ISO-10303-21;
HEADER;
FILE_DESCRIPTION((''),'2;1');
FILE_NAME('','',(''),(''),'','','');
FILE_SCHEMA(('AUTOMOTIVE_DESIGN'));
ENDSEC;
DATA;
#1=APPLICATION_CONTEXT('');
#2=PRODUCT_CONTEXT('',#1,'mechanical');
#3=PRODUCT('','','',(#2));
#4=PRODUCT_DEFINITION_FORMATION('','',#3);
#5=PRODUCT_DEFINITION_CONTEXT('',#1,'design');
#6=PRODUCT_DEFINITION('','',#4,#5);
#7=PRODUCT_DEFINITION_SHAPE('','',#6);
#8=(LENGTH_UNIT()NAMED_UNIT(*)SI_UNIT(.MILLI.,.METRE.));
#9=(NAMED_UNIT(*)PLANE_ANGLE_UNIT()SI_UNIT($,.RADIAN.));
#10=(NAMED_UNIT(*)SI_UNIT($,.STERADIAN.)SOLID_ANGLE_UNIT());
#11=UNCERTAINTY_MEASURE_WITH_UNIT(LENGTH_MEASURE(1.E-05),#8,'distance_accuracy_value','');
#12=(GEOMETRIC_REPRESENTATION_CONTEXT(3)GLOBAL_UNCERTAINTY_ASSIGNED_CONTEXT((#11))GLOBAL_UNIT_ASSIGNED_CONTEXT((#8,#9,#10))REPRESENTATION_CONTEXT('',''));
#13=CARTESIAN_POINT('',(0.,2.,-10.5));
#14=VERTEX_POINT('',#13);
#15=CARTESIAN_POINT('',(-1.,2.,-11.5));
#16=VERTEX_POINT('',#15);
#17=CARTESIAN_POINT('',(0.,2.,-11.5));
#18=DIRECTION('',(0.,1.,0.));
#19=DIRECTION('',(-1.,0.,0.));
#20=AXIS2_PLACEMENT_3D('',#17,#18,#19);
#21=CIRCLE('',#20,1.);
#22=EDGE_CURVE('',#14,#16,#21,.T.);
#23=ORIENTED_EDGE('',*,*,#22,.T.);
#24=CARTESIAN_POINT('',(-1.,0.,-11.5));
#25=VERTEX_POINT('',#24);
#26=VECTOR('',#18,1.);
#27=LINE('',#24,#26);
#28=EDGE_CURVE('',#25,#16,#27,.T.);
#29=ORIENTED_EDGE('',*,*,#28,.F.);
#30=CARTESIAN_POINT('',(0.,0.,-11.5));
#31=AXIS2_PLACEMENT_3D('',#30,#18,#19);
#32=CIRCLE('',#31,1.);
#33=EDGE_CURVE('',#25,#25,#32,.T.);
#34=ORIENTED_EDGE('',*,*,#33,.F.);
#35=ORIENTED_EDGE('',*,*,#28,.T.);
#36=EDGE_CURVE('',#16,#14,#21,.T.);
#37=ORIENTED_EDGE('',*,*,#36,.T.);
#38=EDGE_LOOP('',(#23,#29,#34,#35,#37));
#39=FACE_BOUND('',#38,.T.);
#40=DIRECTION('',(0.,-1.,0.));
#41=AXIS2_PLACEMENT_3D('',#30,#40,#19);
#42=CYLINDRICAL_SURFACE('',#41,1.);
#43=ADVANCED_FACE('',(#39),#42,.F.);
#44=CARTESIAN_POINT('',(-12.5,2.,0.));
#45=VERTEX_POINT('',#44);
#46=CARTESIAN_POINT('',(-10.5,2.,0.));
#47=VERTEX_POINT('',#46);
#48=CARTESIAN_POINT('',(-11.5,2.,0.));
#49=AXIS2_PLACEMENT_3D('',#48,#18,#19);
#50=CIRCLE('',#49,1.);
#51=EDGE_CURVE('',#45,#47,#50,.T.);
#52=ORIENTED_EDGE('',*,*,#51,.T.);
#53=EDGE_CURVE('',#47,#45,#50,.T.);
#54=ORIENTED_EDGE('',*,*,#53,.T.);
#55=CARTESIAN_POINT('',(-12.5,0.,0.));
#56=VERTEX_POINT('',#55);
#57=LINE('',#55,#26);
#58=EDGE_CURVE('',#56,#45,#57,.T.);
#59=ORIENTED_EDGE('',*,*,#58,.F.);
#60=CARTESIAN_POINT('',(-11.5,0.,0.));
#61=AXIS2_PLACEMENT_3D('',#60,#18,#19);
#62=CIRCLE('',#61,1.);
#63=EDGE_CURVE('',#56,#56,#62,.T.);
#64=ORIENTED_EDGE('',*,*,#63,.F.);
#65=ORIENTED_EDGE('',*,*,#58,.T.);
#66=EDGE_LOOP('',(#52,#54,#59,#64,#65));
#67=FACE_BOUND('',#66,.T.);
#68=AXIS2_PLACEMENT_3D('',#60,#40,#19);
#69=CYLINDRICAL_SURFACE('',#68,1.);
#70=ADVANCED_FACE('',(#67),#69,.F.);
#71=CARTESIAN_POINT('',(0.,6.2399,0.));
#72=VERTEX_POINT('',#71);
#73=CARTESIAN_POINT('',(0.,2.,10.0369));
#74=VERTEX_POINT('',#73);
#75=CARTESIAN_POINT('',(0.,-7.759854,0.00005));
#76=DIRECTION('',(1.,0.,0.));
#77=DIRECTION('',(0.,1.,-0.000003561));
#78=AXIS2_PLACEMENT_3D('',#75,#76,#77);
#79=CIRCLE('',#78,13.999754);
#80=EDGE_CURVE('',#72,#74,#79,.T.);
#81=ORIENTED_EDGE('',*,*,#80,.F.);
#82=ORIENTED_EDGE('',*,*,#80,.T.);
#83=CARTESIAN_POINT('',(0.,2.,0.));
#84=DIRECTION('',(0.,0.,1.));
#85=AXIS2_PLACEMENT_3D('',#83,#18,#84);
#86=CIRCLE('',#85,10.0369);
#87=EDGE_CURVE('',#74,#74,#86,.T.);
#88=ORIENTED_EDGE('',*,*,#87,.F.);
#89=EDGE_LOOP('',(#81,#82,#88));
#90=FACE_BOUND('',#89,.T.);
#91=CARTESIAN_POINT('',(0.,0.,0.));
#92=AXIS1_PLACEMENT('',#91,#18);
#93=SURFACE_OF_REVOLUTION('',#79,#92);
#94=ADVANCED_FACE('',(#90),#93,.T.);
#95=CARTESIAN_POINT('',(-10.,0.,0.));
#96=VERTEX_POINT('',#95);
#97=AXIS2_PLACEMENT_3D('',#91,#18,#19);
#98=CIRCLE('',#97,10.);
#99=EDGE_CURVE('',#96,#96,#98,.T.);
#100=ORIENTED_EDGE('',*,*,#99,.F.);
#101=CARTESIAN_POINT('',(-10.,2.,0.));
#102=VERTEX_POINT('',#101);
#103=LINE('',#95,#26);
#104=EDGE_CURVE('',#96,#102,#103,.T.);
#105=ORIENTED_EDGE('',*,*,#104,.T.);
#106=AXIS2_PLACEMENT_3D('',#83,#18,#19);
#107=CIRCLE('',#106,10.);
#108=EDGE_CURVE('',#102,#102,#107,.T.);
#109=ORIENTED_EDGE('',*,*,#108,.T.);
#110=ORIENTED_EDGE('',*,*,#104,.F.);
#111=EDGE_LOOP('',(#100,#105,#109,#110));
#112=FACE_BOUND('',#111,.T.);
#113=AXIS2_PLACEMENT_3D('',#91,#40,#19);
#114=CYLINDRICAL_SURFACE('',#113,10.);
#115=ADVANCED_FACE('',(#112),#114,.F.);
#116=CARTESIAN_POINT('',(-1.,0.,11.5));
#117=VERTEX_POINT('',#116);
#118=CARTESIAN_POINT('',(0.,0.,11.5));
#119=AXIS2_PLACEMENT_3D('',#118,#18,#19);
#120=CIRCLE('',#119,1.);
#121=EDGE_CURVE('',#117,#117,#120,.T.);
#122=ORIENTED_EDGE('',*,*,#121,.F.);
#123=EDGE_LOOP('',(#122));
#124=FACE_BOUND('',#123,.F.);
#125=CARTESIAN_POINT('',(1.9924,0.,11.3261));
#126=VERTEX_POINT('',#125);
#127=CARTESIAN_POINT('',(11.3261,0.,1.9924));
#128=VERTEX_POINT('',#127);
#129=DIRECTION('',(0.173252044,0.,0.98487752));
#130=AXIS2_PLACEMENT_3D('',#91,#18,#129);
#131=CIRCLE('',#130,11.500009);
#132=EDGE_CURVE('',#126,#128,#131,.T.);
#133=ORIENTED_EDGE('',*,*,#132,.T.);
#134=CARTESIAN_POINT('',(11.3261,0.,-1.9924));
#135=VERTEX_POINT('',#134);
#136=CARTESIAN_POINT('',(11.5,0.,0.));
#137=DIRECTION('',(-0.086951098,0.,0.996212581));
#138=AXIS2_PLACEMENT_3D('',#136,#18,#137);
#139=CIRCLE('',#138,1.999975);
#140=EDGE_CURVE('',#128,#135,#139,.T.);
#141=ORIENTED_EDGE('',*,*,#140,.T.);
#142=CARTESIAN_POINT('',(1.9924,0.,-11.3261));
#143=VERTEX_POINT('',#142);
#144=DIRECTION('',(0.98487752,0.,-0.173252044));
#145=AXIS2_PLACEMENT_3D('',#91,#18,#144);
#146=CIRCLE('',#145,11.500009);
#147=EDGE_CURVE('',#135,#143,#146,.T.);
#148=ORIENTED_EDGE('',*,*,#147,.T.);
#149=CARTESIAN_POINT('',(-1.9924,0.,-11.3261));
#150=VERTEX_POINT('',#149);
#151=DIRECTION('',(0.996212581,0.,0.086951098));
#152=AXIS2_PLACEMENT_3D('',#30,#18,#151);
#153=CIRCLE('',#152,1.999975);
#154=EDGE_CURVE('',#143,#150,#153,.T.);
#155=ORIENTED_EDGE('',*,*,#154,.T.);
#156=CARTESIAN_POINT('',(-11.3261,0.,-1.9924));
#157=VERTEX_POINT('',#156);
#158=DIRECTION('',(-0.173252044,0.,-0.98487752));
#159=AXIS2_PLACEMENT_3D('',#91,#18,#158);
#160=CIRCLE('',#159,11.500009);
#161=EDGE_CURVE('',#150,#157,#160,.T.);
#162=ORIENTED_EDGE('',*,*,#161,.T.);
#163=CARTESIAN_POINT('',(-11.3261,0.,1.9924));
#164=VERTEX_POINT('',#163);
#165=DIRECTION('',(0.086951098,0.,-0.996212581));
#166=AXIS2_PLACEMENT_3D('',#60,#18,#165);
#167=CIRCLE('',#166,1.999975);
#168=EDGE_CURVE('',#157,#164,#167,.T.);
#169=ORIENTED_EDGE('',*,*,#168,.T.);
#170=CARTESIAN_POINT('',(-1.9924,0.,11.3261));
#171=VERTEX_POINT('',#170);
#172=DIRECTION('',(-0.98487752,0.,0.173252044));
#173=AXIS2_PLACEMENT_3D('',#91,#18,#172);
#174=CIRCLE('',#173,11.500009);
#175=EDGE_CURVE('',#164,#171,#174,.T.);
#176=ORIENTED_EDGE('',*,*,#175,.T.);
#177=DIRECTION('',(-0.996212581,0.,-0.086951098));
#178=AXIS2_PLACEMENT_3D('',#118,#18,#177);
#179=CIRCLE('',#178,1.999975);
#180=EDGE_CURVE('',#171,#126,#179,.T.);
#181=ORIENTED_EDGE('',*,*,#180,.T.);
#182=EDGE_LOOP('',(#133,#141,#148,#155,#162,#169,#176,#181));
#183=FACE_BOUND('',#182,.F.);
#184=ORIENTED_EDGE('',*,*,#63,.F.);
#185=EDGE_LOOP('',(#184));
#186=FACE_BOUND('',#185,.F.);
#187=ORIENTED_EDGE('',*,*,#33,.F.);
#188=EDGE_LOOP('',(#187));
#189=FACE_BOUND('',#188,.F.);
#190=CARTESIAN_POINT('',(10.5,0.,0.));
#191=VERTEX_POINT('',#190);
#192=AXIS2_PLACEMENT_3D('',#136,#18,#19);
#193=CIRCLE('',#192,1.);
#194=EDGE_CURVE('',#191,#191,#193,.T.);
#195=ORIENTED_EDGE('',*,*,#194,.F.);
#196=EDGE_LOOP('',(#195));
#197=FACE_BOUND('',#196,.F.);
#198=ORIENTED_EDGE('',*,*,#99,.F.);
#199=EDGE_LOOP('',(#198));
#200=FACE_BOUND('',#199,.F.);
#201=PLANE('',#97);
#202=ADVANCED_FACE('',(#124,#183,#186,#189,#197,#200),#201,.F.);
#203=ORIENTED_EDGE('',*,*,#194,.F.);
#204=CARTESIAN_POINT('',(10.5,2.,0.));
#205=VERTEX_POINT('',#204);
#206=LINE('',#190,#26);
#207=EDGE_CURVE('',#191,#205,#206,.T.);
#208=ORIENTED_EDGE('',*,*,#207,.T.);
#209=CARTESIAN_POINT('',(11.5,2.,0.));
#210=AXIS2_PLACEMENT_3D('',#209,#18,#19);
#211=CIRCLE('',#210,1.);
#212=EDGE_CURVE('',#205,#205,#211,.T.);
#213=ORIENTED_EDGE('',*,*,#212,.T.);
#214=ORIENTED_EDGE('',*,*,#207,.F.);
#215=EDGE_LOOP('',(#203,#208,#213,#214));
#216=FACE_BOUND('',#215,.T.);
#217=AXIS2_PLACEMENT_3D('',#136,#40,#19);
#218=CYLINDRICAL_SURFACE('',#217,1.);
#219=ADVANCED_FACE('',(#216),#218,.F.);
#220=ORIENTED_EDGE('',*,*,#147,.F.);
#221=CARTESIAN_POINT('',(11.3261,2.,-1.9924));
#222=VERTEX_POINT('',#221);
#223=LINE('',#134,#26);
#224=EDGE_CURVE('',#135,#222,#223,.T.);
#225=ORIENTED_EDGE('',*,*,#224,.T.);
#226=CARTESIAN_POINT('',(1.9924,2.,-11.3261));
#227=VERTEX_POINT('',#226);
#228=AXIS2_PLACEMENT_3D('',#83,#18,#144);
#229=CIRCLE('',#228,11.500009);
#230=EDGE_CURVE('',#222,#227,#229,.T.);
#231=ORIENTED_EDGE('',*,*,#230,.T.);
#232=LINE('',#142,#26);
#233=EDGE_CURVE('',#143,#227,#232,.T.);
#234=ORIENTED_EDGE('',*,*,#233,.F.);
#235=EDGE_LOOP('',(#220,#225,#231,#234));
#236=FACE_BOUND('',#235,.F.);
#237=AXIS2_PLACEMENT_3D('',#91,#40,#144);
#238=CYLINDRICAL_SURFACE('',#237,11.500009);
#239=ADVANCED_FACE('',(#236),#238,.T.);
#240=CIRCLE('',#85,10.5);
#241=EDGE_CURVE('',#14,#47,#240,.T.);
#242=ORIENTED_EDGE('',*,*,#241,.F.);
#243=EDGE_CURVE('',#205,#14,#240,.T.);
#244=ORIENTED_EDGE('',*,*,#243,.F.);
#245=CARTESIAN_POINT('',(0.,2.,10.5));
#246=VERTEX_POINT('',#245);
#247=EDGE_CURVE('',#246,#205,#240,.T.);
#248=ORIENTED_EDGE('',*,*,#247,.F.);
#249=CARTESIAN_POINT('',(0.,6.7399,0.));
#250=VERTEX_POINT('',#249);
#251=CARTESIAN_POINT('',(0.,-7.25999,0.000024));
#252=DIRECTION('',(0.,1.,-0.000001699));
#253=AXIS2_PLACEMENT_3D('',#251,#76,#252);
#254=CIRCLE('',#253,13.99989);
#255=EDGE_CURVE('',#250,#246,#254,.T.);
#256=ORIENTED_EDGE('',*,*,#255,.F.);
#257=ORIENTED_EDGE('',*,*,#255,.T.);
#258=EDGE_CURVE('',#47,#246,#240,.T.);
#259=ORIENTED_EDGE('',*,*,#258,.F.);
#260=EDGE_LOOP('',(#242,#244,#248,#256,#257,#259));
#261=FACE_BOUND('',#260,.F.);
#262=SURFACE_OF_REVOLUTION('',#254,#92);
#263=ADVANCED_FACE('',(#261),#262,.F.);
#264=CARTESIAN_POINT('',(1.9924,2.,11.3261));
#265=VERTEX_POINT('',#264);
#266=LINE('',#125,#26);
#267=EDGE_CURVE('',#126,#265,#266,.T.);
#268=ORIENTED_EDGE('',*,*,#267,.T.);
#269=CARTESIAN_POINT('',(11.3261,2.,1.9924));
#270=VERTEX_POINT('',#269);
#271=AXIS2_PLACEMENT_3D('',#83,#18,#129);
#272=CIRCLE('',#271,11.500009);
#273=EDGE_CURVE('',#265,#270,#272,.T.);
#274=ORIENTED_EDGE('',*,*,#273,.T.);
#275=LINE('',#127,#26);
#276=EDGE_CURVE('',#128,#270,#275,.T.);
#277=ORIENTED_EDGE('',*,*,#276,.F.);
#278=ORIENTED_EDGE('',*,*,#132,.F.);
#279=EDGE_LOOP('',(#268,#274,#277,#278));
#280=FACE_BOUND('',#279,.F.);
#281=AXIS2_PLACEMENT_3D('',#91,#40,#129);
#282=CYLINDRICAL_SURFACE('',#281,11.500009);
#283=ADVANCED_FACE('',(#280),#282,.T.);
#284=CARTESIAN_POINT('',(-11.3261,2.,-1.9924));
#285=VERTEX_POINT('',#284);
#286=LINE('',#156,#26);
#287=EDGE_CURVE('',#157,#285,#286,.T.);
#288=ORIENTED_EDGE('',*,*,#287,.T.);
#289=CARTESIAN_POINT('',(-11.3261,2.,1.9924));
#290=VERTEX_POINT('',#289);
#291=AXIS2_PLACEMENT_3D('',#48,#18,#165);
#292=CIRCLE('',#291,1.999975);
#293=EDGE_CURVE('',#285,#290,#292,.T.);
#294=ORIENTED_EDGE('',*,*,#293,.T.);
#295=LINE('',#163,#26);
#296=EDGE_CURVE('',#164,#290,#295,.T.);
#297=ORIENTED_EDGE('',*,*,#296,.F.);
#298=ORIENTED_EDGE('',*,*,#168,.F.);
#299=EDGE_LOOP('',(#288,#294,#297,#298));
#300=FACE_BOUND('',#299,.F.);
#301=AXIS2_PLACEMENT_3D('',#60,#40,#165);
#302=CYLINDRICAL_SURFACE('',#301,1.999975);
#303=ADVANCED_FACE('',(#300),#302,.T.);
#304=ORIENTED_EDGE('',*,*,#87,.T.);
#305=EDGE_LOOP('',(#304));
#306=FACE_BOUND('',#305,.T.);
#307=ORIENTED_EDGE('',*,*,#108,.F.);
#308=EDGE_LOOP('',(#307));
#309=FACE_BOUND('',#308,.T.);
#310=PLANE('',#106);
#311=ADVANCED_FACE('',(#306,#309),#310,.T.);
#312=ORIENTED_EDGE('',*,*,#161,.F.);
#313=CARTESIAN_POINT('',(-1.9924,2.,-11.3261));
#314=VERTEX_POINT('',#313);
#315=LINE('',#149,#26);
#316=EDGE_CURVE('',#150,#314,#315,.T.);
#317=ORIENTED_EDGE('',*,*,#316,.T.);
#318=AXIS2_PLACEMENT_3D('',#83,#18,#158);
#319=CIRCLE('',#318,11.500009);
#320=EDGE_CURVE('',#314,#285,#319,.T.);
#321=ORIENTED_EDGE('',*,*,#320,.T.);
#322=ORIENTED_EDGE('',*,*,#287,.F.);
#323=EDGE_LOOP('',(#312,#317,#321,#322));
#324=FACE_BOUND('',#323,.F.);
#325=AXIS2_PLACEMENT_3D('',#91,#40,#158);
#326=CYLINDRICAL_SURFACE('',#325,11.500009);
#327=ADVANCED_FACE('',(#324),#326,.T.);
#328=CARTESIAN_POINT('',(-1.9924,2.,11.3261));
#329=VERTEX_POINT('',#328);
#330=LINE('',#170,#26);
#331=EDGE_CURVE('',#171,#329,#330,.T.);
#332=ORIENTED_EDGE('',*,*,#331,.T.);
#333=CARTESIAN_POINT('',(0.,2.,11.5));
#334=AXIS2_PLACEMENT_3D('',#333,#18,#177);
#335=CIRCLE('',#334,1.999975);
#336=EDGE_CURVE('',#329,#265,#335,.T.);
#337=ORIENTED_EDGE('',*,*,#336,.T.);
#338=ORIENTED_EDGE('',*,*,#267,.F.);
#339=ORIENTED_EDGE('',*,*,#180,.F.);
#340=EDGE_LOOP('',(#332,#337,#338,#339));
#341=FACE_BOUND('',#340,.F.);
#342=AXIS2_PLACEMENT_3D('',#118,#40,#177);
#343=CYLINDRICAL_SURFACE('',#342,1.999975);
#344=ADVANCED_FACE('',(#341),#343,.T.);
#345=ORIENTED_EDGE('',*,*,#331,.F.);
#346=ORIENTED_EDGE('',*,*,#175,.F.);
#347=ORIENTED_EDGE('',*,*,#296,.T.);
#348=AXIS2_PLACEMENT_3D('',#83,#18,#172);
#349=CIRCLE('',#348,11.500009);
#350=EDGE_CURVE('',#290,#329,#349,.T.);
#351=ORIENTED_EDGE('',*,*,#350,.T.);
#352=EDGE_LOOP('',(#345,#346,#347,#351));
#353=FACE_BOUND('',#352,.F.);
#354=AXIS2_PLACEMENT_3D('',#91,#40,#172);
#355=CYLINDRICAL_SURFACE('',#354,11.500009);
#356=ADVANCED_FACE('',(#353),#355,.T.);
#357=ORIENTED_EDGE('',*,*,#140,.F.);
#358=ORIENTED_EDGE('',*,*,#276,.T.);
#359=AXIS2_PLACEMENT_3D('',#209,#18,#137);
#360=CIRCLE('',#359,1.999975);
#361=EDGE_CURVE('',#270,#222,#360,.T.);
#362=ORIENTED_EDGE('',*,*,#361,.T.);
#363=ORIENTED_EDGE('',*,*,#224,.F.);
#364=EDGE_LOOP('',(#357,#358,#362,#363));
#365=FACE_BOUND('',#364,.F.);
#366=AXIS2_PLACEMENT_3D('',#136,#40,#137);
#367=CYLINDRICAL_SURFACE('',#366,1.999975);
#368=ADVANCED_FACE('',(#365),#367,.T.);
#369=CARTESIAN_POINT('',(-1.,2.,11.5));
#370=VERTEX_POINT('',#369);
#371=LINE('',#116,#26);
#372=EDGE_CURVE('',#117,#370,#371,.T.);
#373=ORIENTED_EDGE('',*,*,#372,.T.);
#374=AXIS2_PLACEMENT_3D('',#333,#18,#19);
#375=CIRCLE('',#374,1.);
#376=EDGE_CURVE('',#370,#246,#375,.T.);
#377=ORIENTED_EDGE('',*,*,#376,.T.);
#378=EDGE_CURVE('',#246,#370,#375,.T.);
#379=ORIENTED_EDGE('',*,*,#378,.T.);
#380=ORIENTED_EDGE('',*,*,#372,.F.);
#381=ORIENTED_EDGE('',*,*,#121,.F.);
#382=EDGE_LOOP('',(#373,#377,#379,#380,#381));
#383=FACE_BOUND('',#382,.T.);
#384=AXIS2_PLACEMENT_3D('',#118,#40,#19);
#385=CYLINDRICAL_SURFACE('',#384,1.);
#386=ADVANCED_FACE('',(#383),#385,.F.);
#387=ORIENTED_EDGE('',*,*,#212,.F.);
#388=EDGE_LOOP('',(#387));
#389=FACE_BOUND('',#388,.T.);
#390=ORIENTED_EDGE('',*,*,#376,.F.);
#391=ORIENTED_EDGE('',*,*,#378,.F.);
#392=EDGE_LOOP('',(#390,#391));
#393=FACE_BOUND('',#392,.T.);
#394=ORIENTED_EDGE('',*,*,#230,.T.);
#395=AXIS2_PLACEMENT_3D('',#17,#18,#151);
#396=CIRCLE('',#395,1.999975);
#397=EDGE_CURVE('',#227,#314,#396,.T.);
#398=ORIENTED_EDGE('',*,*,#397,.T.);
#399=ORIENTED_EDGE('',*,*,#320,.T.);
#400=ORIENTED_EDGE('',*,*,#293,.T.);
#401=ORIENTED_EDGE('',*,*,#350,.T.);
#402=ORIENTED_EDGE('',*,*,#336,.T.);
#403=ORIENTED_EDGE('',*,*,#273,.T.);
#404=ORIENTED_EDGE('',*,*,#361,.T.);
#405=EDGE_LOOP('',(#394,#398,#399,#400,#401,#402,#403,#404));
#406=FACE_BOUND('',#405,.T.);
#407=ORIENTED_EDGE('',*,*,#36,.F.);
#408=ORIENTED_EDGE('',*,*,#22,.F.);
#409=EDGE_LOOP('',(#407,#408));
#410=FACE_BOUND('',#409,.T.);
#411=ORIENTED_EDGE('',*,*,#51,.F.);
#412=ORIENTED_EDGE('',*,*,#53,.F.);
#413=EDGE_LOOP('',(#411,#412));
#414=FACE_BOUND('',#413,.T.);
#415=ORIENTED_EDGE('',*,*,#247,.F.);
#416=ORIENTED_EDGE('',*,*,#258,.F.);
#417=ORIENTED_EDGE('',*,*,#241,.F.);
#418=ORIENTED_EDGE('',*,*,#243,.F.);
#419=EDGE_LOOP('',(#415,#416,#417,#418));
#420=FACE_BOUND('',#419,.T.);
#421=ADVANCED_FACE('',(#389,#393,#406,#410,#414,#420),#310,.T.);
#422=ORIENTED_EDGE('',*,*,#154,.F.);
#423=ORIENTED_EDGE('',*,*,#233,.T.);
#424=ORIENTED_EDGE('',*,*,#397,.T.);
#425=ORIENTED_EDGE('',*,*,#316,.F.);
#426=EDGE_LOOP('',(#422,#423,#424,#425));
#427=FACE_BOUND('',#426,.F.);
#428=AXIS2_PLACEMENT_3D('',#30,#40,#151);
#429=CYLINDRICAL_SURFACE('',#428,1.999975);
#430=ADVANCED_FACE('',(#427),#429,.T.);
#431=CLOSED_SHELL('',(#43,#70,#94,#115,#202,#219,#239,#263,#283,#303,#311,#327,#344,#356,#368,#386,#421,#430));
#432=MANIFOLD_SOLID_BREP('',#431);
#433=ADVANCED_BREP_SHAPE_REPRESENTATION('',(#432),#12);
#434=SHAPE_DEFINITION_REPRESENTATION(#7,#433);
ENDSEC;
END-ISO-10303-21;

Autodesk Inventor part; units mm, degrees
ref_plane "YZ Plane" through (0, 0, 0) normal (1, 0, 0) x (0, 1, 0)
ref_plane "XZ Plane" through (0, 0, 0) normal (0, 1, 0) x (-1, 0, 0)
ref_plane "XY Plane" through (0, 0, 0) normal (0, 0, 1) x (1, 0, 0)
sketch "Sketch1" plane through (0, 0, 0) normal (0, 1, 0) x (-1, 0, 0)
  circle A0 centre (0, 0) radius 12.5 construction
  line L0 (12.5, 0) -> (-12.5, 0) construction
  line L1 (0, -12.5) -> (0, 12.5) construction
  circle A1 centre (-11.5, 0) radius 1
  circle A2 centre (0, -11.5) radius 1
  circle A3 centre (11.5, 0) radius 1
  circle A4 centre (0, 11.5) radius 1
  circle A5 centre (0, 0) radius 10
  arc A6 (-1.9924, -11.3261) -> (1.9924, -11.3261) centre (0, -11.5) ccw
  arc A7 (-11.3261, 1.9924) -> (-11.3261, -1.9924) centre (-11.5, 0) ccw
  arc A8 (1.9924, 11.3261) -> (-1.9924, 11.3261) centre (0, 11.5) ccw
  arc A9 (11.3261, -1.9924) -> (11.3261, 1.9924) centre (11.5, 0) ccw
  arc A10 (0.9991, -11.4565) -> (11.3261, -1.9924) centre (0, 0) ccw construction
  arc A11 (1.9924, -11.3261) -> (11.3261, -1.9924) centre (0, 0) ccw
  arc A12 (11.3261, 1.9924) -> (1.9924, 11.3261) centre (0, 0) ccw construction
  arc A13 (11.3261, 1.9924) -> (1.9924, 11.3261) centre (0, 0) ccw
  arc A14 (-1.9924, 11.3261) -> (-11.3261, 1.9924) centre (0, 0) ccw construction
  arc A15 (-1.9924, 11.3261) -> (-11.3261, 1.9924) centre (0, 0) ccw
  arc A16 (-11.3261, -1.9924) -> (-1.9924, -11.3261) centre (0, 0) ccw construction
  arc A17 (-11.3261, -1.9924) -> (-1.9924, -11.3261) centre (0, 0) ccw
  line L2 (0, -10) -> (-9.6532, -10) construction
  point P0 (0, 0)
  point P1 (0, 0)
  dimension "d1" = 2
  dimension "d2" = 20
  dimension "d0" = 25
  dimension "d3" = 2
  dimension "d4" = 11.5
  dimension "d5" = 11.5
  dimension "d6" = 11.5
  dimension "d7" = 11.5
extrude "Extrusion1" add sketch "Sketch1" along normal blind 2
sketch "Sketch2" plane through (0, 0, 0) normal (1, 0, 0) x (0, 1, 0)
  line L0 (0, 0) -> (6.7399, 0) construction
  line L1 (2, 10.5) -> (0, 10.5) projected
  arc A0 (6.7399, 0) -> (2, 10.5) centre (-7.2601, 0) ccw
  line L2 (2, 10) -> (0, 10) projected
  arc A1 (6.2399, 0) -> (2, 10.0369) centre (-7.7601, 0) ccw
  line L3 (6.7399, 0) -> (6.7399, 0.4008)
  line L4 (2, 12.5) -> (2, 10.5) projected
  line L5 (2, 10) -> (2, 10.5)
  line L6 (0, 0) -> (-7.5749, 0) construction
  line L7 (6.7399, 0) -> (6.2399, 0)
  dimension "d10" = 14
  dimension "d11" = 0.5
  dimension "d12" = 14
revolve "Revolution1" add sketch "Sketch2" angle 360 about axis through (0, 0, 0) along (0, 1, 0)
properties part number "_3DPrint"
